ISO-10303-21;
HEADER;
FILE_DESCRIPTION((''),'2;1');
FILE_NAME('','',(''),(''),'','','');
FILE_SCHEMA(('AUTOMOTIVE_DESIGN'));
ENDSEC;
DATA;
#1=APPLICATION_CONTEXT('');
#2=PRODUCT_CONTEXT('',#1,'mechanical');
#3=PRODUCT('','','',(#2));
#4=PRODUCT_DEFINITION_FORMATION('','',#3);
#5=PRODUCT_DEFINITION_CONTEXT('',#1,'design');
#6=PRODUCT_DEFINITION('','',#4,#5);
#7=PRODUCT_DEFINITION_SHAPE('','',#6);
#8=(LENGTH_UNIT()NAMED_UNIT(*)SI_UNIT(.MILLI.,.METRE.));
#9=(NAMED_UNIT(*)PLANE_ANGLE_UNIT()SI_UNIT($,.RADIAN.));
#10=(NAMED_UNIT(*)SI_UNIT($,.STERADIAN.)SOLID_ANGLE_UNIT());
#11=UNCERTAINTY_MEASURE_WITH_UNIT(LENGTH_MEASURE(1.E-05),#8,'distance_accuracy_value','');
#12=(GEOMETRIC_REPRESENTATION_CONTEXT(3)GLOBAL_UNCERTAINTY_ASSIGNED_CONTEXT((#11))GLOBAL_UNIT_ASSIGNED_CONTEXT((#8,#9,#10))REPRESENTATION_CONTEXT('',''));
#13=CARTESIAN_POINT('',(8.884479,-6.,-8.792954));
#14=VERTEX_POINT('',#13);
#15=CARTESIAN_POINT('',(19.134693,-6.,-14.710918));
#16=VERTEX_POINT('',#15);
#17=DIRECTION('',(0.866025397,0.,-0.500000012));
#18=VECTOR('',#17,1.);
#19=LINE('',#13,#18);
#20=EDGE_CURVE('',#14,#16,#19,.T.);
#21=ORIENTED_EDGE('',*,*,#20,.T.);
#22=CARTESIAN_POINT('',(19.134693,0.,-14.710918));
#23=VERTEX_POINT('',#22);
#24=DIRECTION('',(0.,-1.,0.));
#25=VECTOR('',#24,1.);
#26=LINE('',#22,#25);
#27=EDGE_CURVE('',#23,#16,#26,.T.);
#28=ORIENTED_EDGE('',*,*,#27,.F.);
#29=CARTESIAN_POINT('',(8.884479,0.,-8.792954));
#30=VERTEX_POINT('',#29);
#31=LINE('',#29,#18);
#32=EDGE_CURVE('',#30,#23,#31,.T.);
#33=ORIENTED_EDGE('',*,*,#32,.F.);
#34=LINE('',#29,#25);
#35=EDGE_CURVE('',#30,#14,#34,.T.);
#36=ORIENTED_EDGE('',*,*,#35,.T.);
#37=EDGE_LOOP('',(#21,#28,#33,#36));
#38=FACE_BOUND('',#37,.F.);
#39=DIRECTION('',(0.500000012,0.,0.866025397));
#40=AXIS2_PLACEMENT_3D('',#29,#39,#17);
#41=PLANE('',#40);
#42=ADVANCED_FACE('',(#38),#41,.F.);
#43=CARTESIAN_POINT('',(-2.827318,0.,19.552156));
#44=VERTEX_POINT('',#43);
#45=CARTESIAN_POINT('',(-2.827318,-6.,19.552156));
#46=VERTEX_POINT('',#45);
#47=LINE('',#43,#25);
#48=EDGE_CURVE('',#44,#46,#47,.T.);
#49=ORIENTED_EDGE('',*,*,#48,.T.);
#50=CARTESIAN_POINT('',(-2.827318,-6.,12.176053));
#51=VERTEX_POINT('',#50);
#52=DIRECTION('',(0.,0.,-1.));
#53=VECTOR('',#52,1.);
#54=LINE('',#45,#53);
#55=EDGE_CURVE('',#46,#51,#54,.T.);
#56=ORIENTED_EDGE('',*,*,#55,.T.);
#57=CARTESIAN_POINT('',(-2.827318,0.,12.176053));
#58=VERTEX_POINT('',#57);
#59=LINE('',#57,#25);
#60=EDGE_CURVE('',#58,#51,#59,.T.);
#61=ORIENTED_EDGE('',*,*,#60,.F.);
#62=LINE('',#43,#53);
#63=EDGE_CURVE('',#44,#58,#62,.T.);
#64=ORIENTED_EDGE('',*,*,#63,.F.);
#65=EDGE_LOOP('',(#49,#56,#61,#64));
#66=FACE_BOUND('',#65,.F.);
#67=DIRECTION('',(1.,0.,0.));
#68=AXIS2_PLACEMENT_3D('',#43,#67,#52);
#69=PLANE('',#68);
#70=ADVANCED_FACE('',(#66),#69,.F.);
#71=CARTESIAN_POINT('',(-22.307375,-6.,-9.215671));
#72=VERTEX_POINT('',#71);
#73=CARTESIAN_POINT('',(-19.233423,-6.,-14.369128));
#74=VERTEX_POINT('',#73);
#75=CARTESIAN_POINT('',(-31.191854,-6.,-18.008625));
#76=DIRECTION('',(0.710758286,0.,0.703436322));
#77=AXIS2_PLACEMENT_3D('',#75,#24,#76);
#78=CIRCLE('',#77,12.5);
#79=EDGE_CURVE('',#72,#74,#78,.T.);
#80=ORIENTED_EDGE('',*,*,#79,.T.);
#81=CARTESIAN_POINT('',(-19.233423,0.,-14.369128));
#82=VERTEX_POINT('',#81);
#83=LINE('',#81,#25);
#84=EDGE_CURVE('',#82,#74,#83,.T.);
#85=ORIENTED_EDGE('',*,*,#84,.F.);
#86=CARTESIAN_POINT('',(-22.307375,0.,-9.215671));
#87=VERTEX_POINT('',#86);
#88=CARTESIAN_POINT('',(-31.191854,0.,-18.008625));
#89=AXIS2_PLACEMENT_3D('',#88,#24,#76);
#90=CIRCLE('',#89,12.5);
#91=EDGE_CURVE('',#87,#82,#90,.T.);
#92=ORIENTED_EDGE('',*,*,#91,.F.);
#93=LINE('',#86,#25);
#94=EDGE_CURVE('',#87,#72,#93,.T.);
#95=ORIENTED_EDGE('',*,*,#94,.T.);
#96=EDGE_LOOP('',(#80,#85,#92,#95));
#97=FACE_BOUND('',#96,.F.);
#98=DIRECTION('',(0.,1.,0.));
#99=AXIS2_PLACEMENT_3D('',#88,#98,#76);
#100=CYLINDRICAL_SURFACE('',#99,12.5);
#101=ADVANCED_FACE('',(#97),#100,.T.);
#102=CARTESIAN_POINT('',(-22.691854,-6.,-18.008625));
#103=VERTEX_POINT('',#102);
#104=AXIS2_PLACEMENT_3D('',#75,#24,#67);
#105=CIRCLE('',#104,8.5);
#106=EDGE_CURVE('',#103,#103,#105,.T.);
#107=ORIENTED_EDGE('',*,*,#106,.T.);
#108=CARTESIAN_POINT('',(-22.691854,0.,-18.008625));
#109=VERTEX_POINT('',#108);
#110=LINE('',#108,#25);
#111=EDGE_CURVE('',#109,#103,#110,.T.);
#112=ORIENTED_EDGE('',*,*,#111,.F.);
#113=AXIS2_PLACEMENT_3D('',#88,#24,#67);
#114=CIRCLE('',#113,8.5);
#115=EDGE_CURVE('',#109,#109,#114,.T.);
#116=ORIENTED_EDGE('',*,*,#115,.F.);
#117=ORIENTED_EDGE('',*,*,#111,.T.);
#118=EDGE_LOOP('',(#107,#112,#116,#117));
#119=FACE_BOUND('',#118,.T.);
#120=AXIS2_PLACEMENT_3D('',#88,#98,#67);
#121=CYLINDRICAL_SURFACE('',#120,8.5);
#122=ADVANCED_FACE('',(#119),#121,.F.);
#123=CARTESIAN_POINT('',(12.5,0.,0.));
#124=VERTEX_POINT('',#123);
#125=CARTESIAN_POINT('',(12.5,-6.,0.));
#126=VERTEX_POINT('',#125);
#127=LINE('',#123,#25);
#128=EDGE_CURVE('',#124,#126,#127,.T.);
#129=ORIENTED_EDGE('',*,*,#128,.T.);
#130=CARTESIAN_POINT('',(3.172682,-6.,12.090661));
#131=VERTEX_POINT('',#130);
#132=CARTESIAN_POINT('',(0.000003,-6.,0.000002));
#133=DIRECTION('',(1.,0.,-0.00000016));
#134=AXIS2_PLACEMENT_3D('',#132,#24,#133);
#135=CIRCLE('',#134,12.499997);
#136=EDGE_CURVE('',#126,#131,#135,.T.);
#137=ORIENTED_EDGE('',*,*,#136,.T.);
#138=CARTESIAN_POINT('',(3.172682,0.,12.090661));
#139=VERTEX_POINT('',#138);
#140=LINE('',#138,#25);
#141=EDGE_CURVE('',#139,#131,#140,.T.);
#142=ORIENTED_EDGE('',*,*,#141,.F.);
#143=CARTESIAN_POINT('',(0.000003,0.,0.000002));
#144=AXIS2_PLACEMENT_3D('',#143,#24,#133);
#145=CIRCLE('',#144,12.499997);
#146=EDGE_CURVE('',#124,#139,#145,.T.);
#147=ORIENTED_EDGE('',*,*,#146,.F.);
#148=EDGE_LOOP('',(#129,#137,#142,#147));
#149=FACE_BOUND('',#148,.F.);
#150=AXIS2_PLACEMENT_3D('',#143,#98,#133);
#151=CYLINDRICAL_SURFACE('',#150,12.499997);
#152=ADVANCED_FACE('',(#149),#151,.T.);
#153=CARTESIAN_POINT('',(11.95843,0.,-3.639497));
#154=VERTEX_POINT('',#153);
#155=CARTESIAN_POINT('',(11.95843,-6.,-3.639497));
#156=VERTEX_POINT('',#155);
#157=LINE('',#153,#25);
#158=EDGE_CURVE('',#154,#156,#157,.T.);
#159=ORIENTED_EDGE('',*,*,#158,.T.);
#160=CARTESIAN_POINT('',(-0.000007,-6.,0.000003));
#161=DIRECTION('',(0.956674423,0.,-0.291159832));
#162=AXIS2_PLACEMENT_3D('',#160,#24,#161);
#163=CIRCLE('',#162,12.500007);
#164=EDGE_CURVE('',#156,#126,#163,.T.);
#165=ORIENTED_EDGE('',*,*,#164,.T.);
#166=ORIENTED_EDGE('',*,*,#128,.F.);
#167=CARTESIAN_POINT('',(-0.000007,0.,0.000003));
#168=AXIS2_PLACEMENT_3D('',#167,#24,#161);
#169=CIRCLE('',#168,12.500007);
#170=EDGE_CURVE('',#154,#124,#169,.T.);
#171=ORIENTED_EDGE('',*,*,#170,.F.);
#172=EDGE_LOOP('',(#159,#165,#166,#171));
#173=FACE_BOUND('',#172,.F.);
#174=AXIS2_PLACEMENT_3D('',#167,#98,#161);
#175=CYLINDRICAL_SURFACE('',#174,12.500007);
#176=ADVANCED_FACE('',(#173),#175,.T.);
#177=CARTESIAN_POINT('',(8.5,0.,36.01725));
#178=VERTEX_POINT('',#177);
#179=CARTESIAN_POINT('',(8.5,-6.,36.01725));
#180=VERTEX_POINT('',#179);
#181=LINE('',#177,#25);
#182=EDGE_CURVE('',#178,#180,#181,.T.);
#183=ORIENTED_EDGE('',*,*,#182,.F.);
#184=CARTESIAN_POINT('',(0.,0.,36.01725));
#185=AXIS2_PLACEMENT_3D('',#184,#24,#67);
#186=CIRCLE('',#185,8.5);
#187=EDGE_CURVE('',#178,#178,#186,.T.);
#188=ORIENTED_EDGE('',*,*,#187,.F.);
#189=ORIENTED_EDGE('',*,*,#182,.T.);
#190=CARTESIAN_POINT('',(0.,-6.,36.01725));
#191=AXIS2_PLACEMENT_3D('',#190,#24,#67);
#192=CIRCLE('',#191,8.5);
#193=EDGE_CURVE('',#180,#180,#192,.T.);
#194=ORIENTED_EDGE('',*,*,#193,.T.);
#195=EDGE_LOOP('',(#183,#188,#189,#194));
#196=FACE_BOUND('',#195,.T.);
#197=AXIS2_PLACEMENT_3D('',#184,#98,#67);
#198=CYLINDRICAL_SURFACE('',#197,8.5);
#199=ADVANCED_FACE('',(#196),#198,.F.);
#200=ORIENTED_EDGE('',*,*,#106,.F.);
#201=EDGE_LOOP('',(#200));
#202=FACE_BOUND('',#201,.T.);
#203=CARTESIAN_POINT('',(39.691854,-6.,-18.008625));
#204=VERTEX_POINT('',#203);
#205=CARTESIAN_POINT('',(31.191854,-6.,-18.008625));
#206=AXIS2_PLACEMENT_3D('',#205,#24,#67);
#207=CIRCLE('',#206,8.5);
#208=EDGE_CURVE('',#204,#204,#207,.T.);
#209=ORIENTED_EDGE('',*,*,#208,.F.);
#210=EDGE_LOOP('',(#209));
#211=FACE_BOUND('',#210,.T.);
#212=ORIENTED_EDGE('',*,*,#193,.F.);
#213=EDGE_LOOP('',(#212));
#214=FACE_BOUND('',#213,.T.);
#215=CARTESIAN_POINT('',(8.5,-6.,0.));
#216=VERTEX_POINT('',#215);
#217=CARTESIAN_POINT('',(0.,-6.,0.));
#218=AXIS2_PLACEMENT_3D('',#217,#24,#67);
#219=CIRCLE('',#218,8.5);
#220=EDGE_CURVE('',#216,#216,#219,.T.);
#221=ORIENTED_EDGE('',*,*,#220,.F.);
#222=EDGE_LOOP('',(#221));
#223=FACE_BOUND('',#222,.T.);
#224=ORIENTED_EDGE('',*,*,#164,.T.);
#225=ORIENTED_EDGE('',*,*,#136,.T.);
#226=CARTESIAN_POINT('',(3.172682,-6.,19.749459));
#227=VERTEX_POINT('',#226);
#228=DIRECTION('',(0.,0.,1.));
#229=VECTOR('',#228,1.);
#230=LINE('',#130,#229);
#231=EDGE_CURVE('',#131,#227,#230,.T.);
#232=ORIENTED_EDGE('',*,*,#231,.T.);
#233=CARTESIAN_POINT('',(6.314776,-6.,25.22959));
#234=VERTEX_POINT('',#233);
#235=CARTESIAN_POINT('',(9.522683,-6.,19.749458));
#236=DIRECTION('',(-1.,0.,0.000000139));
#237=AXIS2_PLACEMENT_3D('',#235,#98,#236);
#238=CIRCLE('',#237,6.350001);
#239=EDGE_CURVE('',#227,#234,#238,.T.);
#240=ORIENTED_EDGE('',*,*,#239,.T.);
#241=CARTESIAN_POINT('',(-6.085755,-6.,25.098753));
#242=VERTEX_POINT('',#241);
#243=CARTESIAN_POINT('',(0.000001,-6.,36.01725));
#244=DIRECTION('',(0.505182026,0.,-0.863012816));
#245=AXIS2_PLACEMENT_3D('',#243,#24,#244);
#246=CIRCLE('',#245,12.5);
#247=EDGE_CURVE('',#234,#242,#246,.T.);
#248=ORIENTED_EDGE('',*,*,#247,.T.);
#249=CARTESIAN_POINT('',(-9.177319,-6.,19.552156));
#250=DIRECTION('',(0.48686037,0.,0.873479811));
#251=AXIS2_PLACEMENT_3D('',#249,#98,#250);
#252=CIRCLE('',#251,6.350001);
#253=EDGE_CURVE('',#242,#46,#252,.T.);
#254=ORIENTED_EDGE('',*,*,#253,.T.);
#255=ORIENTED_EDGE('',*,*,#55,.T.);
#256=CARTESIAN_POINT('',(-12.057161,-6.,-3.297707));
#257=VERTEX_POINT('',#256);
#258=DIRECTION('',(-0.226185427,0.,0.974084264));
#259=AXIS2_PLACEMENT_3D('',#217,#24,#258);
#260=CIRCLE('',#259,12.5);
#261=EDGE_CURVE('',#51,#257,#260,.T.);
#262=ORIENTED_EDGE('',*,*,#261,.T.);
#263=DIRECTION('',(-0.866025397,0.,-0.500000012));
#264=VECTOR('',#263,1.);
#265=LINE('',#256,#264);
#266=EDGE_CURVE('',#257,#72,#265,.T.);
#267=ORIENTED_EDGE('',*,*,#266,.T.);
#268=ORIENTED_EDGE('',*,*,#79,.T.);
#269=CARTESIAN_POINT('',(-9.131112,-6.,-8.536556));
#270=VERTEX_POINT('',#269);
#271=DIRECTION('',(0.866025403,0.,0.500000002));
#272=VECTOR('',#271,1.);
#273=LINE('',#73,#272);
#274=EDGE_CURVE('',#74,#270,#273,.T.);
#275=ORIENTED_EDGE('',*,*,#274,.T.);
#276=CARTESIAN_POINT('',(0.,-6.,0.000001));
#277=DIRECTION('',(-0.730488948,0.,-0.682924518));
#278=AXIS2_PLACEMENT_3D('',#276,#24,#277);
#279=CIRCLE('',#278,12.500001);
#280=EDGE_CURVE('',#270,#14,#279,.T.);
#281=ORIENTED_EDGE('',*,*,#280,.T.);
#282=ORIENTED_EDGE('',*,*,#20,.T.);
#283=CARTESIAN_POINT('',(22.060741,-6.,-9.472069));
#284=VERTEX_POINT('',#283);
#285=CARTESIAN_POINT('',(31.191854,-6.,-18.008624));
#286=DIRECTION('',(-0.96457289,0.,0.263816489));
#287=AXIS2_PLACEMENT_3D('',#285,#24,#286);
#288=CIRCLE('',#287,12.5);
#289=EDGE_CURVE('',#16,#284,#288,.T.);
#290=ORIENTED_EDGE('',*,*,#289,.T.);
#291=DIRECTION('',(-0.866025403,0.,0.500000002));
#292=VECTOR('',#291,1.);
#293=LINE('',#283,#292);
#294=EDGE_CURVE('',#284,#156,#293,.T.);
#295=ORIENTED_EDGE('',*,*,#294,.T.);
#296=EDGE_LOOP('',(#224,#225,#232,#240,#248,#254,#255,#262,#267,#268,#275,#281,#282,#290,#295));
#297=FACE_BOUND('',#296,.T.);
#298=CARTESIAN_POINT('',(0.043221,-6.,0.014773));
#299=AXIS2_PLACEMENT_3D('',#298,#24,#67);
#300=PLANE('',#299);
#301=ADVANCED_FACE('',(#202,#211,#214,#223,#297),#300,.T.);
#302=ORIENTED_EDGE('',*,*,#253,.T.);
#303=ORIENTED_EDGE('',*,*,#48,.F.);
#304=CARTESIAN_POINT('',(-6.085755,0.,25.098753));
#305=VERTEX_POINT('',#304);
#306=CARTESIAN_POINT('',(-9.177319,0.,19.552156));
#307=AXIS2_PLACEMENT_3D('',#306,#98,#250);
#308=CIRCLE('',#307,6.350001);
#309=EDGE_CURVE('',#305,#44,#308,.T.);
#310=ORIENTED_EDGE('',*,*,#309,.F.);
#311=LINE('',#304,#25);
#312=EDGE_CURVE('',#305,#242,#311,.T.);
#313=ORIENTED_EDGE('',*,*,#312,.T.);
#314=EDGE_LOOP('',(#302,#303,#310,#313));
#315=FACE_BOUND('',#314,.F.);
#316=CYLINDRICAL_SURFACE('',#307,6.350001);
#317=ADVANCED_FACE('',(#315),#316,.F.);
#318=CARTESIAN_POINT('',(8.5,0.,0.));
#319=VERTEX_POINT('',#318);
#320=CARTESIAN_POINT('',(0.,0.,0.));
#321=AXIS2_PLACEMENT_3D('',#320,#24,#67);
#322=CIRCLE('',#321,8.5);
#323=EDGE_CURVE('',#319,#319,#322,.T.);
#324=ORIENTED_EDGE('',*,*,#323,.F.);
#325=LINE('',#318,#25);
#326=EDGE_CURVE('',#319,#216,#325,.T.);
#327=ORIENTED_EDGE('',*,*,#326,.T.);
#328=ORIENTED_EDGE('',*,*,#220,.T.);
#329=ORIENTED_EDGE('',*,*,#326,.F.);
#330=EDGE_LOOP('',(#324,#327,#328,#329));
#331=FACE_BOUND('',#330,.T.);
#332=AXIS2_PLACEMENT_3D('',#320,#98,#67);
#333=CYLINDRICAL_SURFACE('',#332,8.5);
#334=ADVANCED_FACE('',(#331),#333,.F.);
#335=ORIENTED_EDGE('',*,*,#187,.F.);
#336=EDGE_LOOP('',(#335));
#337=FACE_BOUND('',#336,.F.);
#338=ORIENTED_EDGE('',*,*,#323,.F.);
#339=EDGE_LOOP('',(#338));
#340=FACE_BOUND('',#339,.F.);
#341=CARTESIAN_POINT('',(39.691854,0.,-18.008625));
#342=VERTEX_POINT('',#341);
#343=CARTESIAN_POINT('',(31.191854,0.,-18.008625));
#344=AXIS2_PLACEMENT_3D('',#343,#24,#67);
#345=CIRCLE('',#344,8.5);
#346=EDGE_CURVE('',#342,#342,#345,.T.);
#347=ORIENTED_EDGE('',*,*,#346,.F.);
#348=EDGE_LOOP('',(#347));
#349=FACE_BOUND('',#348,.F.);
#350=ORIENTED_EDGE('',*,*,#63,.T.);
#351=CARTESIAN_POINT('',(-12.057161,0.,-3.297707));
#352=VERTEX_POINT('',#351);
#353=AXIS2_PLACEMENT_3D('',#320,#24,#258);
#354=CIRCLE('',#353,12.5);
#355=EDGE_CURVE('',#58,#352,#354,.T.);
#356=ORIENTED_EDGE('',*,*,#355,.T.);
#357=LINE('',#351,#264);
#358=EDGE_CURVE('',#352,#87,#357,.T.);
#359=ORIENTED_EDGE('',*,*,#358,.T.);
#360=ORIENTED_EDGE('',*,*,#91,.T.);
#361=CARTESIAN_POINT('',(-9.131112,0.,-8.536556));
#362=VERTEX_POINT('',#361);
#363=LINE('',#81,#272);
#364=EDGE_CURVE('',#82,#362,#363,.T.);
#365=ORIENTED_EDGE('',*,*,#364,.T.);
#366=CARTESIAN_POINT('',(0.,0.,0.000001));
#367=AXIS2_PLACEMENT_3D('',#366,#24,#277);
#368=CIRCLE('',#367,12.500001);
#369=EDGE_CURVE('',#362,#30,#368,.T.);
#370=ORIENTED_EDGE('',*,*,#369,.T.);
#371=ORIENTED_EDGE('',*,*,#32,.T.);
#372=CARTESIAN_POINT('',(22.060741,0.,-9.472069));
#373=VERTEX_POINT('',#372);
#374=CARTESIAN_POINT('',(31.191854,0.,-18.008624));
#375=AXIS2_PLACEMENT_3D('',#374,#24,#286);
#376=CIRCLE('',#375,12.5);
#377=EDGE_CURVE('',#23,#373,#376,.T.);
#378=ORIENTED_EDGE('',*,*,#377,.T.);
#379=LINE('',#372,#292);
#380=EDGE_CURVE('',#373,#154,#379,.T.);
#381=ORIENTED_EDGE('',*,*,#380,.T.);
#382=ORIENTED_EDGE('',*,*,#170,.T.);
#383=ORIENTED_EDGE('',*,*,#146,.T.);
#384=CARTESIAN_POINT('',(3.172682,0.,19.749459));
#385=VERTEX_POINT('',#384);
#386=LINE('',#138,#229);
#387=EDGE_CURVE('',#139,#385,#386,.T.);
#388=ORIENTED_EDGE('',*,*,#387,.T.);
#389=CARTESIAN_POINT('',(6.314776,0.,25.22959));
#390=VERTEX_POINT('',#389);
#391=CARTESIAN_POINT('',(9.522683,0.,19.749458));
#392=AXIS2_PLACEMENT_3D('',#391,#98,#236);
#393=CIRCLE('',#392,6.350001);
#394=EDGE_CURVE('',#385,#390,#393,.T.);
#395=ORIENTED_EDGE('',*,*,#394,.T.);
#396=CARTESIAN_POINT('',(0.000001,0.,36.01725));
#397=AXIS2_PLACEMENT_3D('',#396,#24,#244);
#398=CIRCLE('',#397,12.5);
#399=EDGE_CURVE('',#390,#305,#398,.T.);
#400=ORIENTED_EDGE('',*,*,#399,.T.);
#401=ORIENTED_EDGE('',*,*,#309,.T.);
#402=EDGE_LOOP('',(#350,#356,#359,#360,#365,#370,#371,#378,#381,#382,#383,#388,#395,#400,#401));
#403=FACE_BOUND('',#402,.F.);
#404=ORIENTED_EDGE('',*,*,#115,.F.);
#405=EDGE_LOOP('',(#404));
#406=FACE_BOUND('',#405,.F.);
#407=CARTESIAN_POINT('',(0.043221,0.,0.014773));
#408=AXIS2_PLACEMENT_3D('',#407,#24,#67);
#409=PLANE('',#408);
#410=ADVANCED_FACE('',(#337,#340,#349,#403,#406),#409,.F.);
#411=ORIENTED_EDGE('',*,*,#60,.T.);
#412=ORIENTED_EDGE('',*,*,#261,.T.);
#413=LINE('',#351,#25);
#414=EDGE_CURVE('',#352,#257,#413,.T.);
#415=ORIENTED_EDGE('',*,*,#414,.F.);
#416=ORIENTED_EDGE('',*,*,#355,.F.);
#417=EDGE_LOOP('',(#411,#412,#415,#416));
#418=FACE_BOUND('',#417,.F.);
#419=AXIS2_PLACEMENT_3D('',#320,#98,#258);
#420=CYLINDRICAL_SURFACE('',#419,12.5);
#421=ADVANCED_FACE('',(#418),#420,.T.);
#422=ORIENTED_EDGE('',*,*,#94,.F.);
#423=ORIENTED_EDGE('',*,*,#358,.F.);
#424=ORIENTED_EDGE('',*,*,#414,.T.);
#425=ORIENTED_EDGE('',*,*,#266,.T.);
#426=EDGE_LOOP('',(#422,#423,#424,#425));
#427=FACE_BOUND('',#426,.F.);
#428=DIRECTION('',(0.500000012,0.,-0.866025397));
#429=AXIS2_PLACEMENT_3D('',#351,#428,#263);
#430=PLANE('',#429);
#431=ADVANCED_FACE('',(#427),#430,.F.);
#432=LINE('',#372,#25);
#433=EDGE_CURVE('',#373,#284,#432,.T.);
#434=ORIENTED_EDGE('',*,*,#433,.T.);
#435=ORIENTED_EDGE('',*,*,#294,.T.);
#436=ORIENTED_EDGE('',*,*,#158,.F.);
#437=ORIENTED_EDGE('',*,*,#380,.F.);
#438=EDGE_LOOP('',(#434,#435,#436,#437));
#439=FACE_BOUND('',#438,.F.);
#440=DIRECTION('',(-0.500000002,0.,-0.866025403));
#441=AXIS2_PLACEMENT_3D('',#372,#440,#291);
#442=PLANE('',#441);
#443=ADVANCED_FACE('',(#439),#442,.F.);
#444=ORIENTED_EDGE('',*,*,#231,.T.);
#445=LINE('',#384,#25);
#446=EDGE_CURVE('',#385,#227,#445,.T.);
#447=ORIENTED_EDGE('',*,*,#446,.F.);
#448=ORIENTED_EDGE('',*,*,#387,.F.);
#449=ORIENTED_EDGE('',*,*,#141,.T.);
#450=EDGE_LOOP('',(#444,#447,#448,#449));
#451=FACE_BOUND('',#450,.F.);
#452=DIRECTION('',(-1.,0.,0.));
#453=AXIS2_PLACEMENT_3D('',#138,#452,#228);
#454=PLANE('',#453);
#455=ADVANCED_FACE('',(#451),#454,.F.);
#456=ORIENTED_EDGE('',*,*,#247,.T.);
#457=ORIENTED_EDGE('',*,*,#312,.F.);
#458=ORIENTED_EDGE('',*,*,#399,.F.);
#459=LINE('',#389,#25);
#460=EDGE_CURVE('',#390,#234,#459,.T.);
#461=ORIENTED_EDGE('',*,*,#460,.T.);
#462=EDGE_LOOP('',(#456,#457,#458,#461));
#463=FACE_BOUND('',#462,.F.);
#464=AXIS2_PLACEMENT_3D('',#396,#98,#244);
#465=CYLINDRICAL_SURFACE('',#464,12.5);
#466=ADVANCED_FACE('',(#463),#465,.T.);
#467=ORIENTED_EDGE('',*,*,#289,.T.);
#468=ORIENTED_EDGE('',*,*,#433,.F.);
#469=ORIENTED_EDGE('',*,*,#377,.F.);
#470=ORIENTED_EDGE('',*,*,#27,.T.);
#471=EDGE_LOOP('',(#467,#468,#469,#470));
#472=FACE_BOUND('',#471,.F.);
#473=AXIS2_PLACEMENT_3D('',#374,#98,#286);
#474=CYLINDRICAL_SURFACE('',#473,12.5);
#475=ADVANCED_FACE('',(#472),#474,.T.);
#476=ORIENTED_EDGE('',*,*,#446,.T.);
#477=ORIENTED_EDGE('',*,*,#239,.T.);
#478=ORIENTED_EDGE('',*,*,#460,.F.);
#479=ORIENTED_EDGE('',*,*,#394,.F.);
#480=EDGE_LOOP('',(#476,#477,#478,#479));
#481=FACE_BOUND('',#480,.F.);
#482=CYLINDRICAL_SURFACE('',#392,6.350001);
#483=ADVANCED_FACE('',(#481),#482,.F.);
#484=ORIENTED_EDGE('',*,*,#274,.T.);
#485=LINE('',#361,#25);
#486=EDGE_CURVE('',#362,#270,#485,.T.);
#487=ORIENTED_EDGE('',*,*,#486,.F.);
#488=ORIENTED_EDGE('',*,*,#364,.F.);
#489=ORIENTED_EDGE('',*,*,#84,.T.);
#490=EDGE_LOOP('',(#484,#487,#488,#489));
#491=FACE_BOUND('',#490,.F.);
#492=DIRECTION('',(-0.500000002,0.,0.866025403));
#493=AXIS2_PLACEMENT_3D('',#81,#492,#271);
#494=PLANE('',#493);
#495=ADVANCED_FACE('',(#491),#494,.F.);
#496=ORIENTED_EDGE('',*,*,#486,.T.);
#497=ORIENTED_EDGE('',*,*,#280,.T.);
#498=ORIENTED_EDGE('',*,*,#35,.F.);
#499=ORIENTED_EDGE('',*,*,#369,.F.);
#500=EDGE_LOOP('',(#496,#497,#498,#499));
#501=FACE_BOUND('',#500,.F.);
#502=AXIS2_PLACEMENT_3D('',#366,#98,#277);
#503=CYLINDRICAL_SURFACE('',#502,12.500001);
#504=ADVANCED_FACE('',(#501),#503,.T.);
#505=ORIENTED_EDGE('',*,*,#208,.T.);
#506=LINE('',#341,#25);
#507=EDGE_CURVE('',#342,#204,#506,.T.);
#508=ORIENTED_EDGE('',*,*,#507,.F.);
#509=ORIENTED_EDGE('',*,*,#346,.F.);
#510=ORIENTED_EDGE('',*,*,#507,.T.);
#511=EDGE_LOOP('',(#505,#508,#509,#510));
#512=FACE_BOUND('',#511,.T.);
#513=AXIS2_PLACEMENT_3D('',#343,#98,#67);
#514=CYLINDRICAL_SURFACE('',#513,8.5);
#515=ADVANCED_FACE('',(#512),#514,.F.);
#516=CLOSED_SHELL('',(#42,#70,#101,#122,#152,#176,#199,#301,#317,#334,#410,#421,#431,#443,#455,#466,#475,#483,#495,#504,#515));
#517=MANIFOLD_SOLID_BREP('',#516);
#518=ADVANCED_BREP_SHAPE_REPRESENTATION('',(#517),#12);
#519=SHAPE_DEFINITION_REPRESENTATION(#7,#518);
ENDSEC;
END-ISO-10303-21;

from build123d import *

# Parameters (mm, degrees)
F0_R     = 8.5
F1_DEPTH = 6


with BuildPart() as f1:
    # F0 (on Front) → F1 (new body)
    with BuildSketch(Plane.XZ):
        with BuildLine():
            ThreePointArc((12.5, 0), (9.897185, 7.635165), (3.172682, 12.090661))
            ThreePointArc((3.172682, 12.090661), (0.177882, 12.498734), (-2.827318, 12.176053))
            ThreePointArc((-2.827318, 12.176053), (-10.73528, 6.403418), (-12.057161, -3.297707))
            ThreePointArc((-12.057161, -3.297707), (-10.913162, -6.095317), (-9.131112, -8.536556))
            ThreePointArc((-9.131112, -8.536556), (-0.177882, -12.498734), (8.884479, -8.792954))
            ThreePointArc((8.884479, -8.792954), (10.73528, -6.403418), (11.95843, -3.639497))
            ThreePointArc((11.95843, -3.639497), (12.363866, -1.839785), (12.5, 0))
        make_face()
        Circle(F0_R, mode=Mode.SUBTRACT)
        with BuildLine():
            ThreePointArc((3.172682, 19.749459), (4.01393, 22.907963), (6.314776, 25.22959))
            ThreePointArc((6.314776, 25.22959), (-0.13188, 48.516555), (-6.085755, 25.098753))
            ThreePointArc((-6.085755, 25.098753), (-3.702196, 22.768604), (-2.827318, 19.552156))
            Line((-2.827318, 19.552156), (-2.827318, 12.176053))
            ThreePointArc((-2.827318, 12.176053), (0.177882, 12.498734), (3.172682, 12.090661))
            Line((3.172682, 12.090661), (3.172682, 19.749459))
        make_face()
        with Locations((0, 36.01725)):
            Circle(F0_R, mode=Mode.SUBTRACT)
        with BuildLine():
            ThreePointArc((-9.131112, -8.536556), (-10.913162, -6.095317), (-12.057161, -3.297707))
            Line((-12.057161, -3.297707), (-22.307375, -9.215671))
            ThreePointArc((-22.307375, -9.215671), (-41.927134, -24.412043), (-19.233423, -14.369128))
            Line((-19.233423, -14.369128), (-9.131112, -8.536556))
        make_face()
        with Locations((-31.191854, -18.008625)):
            Circle(F0_R, mode=Mode.SUBTRACT)
        with BuildLine():
            Line((22.060741, -9.472069), (11.95843, -3.639497))
            ThreePointArc((11.95843, -3.639497), (10.73528, -6.403418), (8.884479, -8.792954))
            Line((8.884479, -8.792954), (19.134693, -14.710918))
            ThreePointArc((19.134693, -14.710918), (42.105016, -24.103942), (22.060741, -9.472069))
        make_face()
        with Locations((31.191854, -18.008625)):
            Circle(F0_R, mode=Mode.SUBTRACT)
    extrude(amount=F1_DEPTH)


solid = f1.part
